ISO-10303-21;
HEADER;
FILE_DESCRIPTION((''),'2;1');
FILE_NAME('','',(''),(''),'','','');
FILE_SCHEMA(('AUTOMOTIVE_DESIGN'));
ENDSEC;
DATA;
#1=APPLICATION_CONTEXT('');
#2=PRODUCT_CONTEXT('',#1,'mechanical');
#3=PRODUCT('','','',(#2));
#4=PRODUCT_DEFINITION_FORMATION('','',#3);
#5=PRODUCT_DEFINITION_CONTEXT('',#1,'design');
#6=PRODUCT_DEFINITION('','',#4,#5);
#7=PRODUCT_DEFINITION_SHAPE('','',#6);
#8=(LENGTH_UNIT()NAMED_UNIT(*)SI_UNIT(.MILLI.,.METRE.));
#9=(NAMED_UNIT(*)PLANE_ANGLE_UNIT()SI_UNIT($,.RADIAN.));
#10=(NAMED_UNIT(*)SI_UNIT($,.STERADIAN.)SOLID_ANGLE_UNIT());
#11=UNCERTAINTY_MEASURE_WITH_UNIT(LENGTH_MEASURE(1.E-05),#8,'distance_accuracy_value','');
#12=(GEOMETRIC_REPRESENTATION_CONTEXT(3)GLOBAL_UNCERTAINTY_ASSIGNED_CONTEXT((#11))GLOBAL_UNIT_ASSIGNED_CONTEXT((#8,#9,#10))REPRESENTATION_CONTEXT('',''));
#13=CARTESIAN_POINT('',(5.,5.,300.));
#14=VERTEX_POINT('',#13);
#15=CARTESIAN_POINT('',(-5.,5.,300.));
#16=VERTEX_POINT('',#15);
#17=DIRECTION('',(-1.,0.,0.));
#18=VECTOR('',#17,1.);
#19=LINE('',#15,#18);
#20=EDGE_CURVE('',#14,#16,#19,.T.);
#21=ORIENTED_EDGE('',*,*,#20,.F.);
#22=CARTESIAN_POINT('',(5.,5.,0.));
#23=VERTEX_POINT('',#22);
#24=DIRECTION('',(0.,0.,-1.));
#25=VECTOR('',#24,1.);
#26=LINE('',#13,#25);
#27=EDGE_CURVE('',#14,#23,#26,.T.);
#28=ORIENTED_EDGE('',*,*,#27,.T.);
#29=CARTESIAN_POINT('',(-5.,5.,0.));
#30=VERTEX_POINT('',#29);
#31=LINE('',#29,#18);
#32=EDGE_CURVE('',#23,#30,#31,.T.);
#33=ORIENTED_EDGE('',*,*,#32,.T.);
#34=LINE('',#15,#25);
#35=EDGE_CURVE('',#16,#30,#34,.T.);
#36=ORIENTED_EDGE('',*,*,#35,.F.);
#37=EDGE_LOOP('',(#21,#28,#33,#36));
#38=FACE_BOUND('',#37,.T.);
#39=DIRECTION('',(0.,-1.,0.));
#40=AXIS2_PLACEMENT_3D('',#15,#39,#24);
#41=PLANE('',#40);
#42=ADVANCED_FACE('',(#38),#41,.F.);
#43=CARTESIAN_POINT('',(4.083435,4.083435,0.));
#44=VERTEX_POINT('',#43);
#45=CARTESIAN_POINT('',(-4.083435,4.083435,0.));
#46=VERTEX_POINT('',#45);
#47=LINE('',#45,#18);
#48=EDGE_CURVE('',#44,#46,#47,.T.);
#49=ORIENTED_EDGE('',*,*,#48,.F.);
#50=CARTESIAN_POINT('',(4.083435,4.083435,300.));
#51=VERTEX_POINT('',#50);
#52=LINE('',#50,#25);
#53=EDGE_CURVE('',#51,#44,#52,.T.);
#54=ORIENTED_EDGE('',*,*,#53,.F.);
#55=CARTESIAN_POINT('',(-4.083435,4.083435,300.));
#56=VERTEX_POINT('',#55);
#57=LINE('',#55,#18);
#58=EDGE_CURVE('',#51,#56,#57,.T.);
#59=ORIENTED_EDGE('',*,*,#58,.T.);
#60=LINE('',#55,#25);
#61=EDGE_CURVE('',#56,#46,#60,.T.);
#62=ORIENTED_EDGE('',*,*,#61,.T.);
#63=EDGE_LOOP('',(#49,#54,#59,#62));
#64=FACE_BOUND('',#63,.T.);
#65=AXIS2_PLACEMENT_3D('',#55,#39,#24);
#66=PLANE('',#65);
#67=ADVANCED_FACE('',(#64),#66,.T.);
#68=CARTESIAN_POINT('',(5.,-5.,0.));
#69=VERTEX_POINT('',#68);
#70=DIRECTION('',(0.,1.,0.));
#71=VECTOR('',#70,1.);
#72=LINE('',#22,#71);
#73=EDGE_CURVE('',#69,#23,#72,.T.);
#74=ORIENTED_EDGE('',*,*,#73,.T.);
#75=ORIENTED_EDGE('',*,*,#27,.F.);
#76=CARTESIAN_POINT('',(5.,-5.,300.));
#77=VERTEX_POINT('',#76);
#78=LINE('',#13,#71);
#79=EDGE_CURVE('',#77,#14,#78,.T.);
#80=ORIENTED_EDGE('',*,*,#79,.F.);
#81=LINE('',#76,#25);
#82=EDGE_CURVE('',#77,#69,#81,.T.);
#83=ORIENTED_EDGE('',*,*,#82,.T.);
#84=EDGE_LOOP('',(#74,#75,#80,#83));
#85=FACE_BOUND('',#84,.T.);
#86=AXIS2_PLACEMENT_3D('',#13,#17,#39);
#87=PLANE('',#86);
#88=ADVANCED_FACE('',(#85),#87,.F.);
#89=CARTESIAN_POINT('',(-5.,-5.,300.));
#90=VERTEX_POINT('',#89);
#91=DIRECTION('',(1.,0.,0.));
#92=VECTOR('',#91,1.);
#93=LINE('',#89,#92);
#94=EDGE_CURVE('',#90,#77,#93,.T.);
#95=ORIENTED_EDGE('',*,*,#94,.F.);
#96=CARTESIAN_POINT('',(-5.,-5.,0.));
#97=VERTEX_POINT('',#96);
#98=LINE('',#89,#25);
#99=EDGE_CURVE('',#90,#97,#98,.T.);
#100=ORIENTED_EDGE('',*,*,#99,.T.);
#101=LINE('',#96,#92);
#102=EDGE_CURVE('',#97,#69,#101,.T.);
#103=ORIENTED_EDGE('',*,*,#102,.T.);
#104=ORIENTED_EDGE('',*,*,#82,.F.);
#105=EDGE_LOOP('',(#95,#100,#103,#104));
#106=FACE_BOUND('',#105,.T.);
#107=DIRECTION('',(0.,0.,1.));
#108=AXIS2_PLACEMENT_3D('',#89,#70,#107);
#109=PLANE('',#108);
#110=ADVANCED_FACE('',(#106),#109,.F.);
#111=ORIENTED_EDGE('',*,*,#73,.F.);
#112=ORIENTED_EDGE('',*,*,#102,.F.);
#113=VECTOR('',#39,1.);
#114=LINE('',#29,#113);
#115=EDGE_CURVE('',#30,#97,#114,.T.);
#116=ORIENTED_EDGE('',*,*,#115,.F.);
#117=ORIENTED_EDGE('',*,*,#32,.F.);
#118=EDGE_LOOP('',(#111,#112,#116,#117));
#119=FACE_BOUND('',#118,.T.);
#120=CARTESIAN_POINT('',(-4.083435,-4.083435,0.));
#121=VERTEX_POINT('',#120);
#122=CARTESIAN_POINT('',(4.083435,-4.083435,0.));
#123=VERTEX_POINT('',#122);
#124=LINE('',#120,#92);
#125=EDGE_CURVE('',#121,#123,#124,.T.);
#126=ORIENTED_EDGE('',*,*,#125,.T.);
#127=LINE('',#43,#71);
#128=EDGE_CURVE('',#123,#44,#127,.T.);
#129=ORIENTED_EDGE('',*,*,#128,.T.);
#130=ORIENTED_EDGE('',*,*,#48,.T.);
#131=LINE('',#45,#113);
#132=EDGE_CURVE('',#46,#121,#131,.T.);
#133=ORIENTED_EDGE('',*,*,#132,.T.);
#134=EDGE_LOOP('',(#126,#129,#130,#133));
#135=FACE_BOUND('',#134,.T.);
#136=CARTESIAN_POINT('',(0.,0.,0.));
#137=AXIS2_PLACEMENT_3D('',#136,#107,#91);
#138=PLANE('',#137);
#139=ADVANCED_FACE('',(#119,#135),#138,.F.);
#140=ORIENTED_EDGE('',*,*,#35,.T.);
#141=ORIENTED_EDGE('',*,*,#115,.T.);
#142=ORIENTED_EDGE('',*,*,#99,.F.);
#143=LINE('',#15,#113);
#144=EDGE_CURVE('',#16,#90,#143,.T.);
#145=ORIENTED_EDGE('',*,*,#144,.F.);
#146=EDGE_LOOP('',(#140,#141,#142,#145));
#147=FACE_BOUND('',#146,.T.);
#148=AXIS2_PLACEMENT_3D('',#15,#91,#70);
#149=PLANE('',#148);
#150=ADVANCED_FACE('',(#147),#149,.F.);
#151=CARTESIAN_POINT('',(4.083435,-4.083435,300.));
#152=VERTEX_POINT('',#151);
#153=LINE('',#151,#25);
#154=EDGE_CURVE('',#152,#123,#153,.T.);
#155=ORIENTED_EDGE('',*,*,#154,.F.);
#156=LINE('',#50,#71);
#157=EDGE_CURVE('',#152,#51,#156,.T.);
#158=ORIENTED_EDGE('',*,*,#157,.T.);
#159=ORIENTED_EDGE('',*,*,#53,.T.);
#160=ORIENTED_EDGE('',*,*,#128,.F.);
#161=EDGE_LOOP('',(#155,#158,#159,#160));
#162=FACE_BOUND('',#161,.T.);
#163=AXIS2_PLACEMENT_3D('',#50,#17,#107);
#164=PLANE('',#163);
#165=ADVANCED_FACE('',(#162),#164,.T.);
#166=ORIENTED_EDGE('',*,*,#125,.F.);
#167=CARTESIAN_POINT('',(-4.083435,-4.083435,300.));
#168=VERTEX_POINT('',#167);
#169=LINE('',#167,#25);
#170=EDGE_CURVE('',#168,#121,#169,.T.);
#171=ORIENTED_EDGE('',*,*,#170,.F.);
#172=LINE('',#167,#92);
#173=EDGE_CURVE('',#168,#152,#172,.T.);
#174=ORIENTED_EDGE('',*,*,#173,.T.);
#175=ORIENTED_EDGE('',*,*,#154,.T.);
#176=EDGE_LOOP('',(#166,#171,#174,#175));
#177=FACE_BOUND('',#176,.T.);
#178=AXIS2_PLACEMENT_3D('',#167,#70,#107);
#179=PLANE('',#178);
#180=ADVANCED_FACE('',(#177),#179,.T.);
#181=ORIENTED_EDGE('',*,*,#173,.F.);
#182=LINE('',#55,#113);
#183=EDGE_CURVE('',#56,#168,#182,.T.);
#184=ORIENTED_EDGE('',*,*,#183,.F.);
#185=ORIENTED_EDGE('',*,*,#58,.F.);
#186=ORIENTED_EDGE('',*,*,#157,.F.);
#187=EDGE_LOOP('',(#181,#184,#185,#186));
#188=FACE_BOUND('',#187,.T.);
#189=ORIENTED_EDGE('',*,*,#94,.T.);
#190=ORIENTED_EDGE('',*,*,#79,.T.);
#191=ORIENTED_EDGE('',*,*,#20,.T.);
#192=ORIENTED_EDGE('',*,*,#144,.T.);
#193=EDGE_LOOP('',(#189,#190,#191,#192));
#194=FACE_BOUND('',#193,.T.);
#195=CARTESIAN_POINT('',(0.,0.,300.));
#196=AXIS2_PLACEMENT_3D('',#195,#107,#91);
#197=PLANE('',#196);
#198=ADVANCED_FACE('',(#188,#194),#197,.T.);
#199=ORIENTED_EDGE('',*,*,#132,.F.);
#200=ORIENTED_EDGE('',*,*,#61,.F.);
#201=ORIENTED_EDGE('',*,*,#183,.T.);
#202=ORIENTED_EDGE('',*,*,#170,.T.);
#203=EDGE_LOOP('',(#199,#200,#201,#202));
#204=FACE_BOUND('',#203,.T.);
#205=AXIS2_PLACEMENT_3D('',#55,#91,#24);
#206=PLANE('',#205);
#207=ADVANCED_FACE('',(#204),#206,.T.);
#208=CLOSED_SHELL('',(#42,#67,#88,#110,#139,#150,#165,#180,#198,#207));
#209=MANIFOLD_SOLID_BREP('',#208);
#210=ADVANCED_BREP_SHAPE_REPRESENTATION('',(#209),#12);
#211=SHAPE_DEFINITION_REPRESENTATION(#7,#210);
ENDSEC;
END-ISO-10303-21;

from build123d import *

# Parameters (mm, degrees)
SKETCH1_W           = 10
SKETCH1_H           = 10
SKETCH1_W_2         = 8.166870646
SKETCH1_H_2         = 8.166870646
BOSS_EXTRUDE1_DEPTH = 300


with BuildPart() as part:
    # Sketch1 → Boss-Extrude1 (new body)
    with BuildSketch(Plane.XY):
        Rectangle(SKETCH1_W, SKETCH1_H)
        Rectangle(SKETCH1_W_2, SKETCH1_H_2, mode=Mode.SUBTRACT)
    extrude(amount=BOSS_EXTRUDE1_DEPTH)


solid = part.part
